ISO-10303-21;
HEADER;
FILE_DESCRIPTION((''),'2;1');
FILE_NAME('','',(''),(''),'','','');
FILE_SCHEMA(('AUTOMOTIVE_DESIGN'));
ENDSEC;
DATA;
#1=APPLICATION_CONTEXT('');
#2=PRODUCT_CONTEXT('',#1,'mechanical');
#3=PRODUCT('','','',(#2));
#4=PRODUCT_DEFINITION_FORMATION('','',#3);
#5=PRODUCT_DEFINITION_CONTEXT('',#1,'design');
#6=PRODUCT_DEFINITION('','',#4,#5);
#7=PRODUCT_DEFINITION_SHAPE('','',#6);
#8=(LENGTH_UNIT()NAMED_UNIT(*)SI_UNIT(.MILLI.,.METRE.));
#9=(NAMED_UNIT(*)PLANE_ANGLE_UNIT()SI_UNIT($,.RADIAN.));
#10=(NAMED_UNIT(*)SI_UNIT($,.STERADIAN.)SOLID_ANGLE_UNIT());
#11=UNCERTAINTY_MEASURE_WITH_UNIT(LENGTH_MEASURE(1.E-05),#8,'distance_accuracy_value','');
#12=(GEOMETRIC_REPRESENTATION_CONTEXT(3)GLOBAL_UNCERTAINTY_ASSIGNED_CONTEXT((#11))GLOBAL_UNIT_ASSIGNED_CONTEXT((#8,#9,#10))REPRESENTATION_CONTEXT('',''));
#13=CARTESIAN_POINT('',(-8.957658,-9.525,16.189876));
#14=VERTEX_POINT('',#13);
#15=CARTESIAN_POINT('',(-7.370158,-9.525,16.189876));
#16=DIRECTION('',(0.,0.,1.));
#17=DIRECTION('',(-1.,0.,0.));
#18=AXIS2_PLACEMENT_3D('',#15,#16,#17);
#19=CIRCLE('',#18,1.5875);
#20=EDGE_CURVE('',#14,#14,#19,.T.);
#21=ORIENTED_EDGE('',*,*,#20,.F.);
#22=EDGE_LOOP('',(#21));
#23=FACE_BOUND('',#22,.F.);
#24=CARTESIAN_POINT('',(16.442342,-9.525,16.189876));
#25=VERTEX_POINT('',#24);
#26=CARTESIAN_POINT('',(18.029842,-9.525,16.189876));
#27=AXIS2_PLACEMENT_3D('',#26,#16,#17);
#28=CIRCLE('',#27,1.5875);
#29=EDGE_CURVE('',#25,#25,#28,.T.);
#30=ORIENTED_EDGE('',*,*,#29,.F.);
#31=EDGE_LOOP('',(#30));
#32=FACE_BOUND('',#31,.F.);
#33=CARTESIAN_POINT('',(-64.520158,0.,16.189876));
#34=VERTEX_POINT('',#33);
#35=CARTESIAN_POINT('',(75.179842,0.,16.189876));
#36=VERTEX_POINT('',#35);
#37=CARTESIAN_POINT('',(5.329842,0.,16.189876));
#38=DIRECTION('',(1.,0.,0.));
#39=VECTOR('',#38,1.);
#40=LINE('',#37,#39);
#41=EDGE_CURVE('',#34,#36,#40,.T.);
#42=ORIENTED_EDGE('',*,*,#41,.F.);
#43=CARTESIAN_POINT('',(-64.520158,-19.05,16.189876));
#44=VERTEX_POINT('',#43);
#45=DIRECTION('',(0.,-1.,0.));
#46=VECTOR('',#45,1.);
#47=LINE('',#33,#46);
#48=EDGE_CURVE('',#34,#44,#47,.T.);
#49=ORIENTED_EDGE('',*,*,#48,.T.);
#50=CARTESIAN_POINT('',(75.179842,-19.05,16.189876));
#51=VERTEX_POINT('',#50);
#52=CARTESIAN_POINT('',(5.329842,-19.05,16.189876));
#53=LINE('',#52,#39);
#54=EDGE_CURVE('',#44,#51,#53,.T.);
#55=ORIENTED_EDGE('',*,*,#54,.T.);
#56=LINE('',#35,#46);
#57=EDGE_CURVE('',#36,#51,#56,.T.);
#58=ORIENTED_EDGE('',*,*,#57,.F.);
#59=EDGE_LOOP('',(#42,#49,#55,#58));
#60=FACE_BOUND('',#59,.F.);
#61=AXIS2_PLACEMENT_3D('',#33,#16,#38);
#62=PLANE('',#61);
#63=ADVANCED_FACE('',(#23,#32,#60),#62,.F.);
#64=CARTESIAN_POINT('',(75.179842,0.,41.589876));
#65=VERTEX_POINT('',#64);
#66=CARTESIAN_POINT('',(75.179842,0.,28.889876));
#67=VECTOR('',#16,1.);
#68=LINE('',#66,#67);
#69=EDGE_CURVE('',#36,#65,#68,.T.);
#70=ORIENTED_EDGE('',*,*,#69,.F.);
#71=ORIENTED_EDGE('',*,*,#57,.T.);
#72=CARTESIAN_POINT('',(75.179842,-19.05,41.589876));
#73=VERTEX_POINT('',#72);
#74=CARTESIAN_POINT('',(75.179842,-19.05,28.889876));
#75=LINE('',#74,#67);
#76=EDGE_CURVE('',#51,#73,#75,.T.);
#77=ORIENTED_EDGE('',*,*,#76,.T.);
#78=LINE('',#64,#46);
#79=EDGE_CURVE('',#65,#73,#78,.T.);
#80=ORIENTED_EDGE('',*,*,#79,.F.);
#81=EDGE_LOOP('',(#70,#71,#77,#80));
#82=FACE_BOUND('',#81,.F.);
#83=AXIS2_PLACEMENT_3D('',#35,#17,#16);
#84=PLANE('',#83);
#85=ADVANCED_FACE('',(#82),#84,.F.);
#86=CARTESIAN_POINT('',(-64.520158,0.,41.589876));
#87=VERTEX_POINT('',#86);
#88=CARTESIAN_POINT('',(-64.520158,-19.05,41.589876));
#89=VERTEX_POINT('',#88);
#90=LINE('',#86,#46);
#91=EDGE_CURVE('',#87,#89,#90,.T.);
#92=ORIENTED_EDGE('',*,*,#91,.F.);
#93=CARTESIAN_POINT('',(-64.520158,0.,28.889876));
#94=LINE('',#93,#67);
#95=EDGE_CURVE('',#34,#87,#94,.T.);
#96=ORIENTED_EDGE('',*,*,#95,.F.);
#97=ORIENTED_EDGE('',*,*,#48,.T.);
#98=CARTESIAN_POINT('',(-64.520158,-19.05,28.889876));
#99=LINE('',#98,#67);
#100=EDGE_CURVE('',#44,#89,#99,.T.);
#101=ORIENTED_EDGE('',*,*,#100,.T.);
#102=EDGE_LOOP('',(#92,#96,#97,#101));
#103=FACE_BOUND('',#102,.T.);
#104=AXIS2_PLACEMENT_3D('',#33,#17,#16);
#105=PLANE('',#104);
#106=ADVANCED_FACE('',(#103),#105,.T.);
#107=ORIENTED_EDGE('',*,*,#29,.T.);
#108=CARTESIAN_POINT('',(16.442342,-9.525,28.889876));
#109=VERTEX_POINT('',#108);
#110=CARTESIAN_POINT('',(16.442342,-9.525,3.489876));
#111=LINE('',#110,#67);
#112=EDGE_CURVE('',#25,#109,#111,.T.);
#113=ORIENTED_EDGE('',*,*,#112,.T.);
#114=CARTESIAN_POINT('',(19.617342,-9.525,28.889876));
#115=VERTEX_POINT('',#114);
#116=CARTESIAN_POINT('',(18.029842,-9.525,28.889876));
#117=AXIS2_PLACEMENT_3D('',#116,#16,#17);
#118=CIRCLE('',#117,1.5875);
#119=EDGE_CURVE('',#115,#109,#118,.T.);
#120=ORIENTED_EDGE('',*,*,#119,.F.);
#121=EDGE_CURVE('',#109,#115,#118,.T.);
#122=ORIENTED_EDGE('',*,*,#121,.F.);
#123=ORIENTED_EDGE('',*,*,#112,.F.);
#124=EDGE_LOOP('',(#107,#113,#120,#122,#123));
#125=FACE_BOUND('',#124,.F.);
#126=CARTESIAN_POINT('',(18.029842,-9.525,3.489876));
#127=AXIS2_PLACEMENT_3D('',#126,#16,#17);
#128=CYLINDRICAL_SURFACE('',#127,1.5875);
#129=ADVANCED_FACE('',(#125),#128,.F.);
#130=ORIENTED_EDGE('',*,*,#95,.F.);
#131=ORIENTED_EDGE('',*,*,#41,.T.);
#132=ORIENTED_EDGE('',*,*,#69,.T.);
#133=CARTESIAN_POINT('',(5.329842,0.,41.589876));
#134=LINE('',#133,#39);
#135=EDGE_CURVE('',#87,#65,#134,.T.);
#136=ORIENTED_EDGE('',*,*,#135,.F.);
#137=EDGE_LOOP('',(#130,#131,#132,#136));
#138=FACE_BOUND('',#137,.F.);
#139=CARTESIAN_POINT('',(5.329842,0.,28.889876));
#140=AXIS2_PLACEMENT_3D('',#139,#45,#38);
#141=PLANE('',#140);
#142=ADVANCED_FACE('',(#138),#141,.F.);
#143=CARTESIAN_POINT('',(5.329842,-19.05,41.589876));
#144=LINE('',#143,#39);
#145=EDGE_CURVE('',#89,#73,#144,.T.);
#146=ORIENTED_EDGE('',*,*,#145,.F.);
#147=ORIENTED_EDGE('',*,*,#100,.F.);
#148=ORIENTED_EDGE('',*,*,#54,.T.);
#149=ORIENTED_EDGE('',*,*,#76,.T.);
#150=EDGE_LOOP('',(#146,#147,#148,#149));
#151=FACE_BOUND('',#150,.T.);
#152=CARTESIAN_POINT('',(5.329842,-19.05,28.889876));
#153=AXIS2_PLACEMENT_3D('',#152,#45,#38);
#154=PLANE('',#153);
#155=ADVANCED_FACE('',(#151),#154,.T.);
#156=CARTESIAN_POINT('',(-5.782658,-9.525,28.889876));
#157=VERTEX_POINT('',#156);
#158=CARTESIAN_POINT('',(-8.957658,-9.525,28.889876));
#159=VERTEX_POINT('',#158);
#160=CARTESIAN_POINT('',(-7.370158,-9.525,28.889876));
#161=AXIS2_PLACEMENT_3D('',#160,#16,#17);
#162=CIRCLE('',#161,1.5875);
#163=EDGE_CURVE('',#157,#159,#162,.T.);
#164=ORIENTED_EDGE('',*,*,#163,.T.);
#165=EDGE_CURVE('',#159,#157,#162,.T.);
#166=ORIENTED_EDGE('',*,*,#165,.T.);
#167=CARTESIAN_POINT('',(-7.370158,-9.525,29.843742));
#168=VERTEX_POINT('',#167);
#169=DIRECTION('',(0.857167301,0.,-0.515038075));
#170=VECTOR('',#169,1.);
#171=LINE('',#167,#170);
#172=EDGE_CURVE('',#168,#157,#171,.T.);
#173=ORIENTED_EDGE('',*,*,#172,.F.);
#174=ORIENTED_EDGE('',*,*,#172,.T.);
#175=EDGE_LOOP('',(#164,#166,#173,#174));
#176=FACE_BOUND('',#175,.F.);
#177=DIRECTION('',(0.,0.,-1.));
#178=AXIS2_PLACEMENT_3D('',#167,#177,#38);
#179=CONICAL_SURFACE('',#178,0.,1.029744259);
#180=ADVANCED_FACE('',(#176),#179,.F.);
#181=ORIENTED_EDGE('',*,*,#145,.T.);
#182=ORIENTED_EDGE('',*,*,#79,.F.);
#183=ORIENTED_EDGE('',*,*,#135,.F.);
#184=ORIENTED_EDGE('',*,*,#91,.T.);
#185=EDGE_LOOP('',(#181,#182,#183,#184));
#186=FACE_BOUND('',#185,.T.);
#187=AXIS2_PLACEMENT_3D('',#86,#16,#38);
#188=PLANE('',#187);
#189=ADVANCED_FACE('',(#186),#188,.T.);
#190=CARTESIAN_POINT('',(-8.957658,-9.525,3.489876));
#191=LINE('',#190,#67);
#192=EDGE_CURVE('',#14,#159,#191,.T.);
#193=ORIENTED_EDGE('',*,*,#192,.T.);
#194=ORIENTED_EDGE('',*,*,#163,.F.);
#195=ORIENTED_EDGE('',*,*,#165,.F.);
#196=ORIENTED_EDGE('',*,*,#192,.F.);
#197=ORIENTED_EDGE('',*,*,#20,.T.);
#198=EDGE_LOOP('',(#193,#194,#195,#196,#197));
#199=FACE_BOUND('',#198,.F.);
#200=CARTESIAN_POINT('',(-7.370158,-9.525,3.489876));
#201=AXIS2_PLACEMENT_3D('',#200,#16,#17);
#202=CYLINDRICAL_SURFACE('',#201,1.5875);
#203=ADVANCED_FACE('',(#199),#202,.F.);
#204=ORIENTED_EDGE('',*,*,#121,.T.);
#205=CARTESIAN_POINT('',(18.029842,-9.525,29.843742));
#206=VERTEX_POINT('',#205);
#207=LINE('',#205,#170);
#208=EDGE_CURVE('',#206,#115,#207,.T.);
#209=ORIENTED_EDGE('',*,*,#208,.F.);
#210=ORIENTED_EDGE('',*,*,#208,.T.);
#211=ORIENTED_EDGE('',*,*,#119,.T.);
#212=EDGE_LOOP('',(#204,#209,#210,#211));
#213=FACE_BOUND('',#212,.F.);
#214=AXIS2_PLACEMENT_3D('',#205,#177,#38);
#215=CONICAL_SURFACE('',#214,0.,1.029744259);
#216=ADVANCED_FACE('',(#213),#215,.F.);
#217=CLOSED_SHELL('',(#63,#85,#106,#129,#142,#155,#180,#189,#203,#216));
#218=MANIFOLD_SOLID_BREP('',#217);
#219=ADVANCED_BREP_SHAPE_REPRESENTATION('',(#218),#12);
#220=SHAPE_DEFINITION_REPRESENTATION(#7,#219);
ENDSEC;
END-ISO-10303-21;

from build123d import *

# Parameters (mm, degrees)
F0_W     = 139.7
F0_H     = 25.4
F1_DEPTH = 19.05
F3_D     = 3.175
F3_DEPTH = 12.7
F3_TIP   = 0.9538662327


with BuildPart() as f1:
    # F0 (on Front) → F1 (new body)
    with BuildSketch(Plane.XZ):
        with Locations((5.3298424567, 28.8898755878)):
            Rectangle(F0_W, F0_H)
    extrude(amount=F1_DEPTH)

    # F3
    with Locations(Plane(origin=(0, 0, 16.1898755878), x_dir=(1, 0, 0), z_dir=(0, 0, -1))):
        with Locations((-7.3701575433, 9.525), (18.0298424567, 9.525)):
            Hole(F3_D / 2, depth=F3_DEPTH)
            with Locations((0, 0, -(F3_DEPTH + F3_TIP / 2))):  # 118° drill point
                Cone(0, F3_D / 2, F3_TIP, mode=Mode.SUBTRACT)


solid = f1.part
